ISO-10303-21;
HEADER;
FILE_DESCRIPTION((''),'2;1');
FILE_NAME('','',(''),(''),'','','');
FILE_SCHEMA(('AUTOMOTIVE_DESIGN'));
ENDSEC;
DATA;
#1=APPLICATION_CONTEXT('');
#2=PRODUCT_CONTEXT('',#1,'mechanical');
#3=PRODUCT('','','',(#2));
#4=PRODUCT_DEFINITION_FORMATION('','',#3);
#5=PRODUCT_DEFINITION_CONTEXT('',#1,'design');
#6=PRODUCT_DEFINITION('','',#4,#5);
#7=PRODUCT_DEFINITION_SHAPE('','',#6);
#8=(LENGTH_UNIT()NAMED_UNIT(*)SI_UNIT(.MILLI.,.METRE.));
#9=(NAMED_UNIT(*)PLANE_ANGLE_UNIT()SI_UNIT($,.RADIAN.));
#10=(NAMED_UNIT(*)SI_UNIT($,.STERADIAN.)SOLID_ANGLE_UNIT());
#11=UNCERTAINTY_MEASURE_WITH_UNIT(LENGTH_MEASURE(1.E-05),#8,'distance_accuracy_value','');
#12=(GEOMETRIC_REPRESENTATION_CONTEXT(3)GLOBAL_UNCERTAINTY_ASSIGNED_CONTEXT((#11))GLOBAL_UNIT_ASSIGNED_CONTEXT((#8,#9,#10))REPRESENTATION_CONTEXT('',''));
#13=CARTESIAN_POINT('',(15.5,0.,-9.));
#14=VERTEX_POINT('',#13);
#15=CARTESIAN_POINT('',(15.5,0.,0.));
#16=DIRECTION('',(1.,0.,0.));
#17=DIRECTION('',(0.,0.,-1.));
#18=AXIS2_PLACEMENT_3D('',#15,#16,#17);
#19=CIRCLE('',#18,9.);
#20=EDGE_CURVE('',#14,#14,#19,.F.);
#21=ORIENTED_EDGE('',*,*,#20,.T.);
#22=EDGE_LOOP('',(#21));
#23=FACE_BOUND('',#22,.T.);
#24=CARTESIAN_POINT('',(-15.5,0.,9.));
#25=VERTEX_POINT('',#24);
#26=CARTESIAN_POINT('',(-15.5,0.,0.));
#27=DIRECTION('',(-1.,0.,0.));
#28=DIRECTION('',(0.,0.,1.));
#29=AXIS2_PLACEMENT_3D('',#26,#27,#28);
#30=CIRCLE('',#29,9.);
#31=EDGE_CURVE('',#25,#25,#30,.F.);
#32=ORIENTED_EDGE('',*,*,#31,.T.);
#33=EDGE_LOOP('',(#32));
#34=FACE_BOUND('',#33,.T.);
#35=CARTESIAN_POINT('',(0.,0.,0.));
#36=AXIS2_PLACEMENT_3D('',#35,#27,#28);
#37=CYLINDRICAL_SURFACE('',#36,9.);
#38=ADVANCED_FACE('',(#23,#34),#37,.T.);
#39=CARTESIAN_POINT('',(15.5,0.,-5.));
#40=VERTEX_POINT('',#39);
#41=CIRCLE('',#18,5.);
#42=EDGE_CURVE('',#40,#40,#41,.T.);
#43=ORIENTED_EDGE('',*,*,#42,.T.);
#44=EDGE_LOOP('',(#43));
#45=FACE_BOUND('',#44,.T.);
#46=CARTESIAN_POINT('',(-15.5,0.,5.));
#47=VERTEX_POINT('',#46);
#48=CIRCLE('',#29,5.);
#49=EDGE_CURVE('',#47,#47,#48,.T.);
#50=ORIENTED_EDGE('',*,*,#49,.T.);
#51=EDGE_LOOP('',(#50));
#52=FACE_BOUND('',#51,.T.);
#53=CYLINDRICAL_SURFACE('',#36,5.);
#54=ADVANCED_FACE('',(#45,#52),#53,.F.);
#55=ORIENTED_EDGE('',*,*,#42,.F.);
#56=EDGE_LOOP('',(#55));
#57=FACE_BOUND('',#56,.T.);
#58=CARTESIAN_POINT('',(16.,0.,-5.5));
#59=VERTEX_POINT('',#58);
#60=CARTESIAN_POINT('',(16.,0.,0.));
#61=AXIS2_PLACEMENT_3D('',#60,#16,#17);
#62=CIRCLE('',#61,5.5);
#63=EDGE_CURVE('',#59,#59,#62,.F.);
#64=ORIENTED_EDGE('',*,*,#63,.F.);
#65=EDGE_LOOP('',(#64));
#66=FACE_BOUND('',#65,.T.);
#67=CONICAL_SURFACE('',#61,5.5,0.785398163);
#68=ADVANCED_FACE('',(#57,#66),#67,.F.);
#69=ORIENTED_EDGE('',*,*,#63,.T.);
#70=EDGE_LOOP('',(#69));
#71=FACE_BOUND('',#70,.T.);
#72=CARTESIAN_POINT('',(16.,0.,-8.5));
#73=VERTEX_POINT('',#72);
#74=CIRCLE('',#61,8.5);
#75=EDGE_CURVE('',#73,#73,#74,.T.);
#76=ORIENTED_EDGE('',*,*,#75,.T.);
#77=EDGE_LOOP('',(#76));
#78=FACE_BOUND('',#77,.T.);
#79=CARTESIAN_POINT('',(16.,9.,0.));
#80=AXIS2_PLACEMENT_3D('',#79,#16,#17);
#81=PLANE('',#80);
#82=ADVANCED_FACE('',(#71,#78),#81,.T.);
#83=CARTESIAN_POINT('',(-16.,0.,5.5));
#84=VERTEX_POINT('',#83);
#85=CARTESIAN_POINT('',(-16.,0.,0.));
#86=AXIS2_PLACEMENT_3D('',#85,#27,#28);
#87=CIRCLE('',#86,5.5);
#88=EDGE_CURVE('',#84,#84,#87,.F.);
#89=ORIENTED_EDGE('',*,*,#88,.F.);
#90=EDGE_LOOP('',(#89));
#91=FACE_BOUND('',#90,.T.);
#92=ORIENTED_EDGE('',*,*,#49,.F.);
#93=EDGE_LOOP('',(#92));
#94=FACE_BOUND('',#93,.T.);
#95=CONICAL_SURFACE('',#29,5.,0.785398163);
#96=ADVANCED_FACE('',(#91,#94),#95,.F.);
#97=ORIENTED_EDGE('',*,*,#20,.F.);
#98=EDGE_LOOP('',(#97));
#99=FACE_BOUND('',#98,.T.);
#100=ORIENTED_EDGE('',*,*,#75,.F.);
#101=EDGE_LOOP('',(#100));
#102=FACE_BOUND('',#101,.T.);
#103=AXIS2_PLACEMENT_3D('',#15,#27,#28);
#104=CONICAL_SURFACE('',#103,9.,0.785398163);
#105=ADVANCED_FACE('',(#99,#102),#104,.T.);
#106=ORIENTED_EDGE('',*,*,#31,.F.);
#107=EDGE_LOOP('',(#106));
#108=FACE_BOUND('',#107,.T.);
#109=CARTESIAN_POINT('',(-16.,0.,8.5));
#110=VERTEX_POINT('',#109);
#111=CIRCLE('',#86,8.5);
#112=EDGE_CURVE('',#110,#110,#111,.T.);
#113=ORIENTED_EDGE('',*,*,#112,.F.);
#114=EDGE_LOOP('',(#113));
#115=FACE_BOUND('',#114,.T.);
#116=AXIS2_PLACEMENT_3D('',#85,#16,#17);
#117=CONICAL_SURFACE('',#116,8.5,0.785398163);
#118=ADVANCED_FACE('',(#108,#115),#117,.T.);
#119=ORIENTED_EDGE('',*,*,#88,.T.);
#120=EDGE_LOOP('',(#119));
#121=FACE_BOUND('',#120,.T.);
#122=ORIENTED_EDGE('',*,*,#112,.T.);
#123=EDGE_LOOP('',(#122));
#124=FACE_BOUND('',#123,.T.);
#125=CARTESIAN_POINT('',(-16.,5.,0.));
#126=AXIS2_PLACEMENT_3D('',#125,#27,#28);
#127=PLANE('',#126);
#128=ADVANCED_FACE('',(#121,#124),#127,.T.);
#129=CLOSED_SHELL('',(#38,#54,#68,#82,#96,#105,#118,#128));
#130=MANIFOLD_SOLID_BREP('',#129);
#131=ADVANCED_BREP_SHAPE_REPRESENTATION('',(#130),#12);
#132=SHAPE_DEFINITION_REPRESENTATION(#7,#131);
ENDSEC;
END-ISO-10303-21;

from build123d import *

# Parameters (mm, degrees)
ESQUISSE1_W     = 32
ESQUISSE1_H     = 4
CHANFREIN1_SIZE = 0.5


with BuildPart() as part:
    # Esquisse1 → Base-Révol.-Mince (revolve)
    with BuildSketch(Plane.XY, mode=Mode.PRIVATE) as base_r_vol_mince_sk:
        with Locations((0, 7)):
            Rectangle(ESQUISSE1_W, ESQUISSE1_H)
    revolve(base_r_vol_mince_sk.sketch.rotate(Axis((0, 0, 0), (1, 0, 0)), 90), axis=Axis((0, 0, 0), (1, 0, 0)))

    # Chanfrein1
    chanfrein1_edges = [part.edges().sort_by_distance(p)[0] for p in [
        (-16, 0, -9),
        (16, 0, -9),
        (16, 0, -5),
        (-16, 0, -5),
    ]]
    chamfer(chanfrein1_edges, length=CHANFREIN1_SIZE)


solid = part.part
